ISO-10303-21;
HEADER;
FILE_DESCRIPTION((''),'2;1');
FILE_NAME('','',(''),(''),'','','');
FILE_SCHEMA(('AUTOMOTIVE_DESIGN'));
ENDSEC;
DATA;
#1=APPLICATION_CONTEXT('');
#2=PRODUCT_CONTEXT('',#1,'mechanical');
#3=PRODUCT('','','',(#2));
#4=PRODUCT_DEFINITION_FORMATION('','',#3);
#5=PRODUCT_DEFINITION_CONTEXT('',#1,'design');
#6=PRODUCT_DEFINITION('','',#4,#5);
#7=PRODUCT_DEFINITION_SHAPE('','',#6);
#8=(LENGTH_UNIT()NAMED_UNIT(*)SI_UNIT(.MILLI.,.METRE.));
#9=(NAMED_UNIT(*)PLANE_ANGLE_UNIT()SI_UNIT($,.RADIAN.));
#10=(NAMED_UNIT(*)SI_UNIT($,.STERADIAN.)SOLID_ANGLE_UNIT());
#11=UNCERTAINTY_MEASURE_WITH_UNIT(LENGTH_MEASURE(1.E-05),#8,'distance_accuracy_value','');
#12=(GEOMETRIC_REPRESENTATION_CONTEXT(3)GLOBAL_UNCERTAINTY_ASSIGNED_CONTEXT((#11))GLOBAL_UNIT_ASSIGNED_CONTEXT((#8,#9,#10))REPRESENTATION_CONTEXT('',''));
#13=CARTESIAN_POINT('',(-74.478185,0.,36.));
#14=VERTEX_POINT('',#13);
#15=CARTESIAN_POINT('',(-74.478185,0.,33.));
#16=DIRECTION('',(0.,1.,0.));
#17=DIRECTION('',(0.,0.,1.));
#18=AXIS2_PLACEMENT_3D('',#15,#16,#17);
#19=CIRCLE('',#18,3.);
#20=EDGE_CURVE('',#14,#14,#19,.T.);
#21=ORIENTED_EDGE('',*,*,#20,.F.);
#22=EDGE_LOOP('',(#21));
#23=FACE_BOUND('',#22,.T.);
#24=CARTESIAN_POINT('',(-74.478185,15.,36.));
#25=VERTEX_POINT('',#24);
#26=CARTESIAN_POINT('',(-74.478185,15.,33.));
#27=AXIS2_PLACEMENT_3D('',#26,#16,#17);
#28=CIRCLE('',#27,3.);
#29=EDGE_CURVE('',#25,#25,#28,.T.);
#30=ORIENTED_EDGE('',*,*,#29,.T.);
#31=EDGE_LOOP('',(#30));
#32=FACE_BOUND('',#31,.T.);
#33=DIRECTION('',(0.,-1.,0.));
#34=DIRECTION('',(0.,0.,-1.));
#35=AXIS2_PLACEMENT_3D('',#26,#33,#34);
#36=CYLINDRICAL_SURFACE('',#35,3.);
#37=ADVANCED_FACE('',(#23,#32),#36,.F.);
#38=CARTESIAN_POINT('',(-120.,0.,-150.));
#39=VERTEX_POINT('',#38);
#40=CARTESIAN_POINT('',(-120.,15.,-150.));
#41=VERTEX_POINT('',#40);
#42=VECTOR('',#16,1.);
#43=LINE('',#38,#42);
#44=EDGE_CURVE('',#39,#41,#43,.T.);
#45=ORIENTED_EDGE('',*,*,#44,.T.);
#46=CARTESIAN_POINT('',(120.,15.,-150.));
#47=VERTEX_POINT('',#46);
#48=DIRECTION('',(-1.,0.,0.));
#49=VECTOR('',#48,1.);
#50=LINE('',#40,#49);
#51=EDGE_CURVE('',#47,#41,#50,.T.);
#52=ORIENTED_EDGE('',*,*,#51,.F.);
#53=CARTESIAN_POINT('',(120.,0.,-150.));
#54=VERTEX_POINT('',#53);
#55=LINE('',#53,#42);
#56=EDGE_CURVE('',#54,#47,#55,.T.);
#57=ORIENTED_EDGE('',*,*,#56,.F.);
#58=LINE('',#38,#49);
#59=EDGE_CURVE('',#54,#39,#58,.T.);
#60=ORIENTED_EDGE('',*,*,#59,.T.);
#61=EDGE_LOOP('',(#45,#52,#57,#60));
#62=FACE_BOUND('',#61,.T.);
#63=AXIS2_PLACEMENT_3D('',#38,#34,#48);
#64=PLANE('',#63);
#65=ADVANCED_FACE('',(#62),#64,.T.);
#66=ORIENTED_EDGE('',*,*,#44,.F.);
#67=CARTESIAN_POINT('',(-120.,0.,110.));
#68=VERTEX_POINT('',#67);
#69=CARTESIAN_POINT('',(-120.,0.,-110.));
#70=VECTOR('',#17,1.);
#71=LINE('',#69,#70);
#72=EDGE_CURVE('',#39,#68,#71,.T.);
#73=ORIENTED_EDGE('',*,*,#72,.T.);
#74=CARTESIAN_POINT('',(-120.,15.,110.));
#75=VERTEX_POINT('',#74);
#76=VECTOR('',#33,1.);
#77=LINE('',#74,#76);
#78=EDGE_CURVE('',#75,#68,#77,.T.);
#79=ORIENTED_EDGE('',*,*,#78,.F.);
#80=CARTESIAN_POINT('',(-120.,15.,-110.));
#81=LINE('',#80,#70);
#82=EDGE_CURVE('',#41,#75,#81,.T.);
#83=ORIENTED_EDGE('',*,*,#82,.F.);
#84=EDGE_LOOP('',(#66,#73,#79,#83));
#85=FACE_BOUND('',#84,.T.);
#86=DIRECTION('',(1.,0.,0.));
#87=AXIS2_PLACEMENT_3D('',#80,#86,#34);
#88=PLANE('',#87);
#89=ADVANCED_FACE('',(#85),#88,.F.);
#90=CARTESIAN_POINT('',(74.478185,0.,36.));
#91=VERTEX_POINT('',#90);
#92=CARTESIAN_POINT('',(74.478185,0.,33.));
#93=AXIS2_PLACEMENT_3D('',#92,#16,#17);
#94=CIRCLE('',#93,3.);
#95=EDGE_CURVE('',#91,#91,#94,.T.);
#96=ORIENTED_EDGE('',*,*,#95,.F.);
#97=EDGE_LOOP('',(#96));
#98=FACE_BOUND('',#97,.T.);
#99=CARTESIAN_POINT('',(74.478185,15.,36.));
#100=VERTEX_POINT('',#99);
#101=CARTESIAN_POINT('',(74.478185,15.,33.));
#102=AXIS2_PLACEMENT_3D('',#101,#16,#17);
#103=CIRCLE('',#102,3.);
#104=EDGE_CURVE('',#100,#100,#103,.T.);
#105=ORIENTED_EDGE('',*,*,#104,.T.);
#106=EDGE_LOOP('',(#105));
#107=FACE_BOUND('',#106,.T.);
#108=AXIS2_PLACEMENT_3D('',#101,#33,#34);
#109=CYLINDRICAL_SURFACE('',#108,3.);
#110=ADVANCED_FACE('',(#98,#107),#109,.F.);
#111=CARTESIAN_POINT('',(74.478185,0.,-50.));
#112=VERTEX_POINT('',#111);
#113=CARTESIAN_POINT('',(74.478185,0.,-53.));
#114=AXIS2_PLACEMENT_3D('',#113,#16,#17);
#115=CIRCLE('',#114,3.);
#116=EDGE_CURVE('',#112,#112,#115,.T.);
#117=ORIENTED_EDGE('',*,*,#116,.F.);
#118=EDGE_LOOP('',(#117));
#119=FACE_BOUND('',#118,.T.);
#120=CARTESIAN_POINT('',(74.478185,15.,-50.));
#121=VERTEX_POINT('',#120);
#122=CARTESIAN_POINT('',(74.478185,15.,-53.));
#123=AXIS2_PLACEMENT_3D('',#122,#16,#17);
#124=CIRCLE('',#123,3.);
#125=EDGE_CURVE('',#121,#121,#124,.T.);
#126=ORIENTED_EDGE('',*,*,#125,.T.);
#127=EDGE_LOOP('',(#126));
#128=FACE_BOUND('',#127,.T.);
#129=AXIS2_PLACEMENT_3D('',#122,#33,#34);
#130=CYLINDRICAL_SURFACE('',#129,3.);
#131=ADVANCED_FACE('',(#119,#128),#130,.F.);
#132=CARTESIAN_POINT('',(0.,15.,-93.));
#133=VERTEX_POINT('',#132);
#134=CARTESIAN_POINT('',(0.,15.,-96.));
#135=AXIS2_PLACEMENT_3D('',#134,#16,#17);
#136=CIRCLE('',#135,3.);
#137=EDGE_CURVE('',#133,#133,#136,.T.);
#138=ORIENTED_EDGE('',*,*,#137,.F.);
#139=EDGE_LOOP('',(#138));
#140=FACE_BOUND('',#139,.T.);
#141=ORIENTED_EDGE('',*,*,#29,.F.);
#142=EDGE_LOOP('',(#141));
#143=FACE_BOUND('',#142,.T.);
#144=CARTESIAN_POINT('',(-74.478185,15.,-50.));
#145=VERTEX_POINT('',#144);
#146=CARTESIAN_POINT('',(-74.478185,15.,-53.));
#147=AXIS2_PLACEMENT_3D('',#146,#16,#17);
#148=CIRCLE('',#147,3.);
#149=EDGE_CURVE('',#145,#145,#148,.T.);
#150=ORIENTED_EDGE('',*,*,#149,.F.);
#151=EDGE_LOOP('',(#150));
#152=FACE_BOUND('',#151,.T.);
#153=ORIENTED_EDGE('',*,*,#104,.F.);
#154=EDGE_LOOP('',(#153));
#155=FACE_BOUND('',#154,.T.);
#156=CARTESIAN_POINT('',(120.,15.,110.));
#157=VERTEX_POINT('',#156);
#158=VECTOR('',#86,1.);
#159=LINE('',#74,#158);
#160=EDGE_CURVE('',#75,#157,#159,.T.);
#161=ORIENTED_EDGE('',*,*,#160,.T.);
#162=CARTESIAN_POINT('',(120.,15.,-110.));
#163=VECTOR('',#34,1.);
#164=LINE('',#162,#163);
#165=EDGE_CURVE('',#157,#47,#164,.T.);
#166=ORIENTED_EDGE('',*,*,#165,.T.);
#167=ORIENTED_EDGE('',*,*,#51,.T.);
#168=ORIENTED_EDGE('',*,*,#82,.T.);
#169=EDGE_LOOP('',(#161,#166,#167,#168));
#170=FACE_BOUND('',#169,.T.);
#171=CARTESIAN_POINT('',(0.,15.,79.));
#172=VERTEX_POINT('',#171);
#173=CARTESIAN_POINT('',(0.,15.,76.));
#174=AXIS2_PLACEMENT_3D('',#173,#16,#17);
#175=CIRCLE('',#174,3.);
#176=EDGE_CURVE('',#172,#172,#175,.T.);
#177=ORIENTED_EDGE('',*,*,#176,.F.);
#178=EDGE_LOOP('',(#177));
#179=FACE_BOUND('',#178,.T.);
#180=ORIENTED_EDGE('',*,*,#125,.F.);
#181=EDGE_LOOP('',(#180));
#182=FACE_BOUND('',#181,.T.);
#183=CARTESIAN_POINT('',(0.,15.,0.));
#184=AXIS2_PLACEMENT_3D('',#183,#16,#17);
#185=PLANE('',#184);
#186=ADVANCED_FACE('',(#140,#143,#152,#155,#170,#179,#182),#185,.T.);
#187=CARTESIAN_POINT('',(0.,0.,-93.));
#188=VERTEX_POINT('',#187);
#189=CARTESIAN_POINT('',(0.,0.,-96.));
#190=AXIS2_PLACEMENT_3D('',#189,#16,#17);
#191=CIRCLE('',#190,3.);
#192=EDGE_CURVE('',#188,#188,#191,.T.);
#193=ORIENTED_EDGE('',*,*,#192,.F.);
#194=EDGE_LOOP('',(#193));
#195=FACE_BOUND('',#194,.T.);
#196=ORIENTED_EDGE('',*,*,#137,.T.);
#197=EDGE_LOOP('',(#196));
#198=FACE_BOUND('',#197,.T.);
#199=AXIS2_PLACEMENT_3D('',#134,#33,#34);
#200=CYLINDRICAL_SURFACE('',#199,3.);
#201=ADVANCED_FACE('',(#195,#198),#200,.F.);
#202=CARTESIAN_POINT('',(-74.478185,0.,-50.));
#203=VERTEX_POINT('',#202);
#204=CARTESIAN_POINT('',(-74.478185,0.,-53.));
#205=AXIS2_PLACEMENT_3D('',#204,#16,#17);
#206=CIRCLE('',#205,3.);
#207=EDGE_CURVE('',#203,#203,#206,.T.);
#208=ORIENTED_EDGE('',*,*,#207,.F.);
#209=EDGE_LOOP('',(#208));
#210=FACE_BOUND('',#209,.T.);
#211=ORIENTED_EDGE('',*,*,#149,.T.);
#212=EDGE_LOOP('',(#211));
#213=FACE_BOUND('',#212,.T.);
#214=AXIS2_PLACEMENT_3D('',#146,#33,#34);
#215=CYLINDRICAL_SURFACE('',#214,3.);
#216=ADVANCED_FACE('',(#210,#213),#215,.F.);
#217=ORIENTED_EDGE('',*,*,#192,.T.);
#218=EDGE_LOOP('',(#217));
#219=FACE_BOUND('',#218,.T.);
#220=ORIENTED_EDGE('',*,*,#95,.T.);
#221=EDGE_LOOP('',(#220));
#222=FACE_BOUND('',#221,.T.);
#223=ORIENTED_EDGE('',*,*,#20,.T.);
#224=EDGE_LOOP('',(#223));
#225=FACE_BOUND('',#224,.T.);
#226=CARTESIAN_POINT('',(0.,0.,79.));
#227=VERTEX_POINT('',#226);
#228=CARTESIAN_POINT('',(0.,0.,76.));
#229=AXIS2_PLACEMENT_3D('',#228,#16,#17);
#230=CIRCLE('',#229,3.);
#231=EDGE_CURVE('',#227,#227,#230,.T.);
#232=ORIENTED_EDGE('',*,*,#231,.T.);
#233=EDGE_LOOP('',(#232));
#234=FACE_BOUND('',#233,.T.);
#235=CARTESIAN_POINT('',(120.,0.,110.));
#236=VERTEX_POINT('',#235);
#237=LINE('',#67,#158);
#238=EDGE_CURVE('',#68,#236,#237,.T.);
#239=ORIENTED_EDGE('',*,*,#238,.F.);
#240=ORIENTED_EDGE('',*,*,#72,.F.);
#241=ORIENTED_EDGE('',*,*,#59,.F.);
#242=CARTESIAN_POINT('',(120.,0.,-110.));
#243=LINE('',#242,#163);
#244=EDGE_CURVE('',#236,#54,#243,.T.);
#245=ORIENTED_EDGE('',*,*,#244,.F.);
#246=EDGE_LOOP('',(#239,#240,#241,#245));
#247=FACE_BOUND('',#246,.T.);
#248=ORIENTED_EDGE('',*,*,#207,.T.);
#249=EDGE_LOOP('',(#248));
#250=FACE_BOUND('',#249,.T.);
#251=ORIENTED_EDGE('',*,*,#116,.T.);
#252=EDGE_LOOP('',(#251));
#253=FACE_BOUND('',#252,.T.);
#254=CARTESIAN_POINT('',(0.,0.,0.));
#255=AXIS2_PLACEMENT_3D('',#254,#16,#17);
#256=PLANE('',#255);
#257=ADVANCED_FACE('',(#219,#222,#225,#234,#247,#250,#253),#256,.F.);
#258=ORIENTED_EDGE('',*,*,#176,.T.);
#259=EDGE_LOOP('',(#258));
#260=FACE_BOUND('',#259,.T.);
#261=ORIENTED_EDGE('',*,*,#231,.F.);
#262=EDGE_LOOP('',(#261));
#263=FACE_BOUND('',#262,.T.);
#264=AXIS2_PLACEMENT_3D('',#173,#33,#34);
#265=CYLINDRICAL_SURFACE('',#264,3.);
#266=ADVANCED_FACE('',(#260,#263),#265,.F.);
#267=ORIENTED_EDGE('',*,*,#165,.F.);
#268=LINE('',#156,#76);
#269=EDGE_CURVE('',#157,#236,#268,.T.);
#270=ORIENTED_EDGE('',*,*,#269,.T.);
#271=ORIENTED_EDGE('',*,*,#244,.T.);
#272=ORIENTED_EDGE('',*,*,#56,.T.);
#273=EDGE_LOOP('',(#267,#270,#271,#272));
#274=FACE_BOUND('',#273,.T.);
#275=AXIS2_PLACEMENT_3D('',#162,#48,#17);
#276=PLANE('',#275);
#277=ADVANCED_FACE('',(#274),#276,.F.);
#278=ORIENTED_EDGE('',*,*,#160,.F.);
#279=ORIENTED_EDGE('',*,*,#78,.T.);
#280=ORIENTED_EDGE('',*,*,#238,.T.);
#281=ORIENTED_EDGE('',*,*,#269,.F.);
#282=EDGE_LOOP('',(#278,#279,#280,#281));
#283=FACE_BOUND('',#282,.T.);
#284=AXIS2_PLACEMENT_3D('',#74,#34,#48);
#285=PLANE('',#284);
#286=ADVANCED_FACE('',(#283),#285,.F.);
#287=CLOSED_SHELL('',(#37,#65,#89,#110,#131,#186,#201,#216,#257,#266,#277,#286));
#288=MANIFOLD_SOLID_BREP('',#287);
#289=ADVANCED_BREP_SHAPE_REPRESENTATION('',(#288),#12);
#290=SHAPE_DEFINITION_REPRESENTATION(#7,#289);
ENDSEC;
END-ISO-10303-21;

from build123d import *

# Parameters (mm, degrees)
CROQUIS1_W              = 240
CROQUIS1_H              = 220
CROQUIS1_R              = 3
SALIENTE_EXTRUIR1_DEPTH = 15
CROQUIS2_W              = 240
CROQUIS2_H              = 40
SALIENTE_EXTRUIR2_DEPTH = 15


with BuildPart() as part:
    # Croquis1 → Saliente-Extruir1 (new body)
    with BuildSketch(Plane(origin=(0, 0, 0), x_dir=(1, 0, 0), z_dir=(0, 1, 0))):
        Rectangle(CROQUIS1_W, CROQUIS1_H)
        with Locations(Location((0, 96, 0), (0, 0, 270))):
            Circle(CROQUIS1_R, mode=Mode.SUBTRACT)
        with Locations(Location((0, -76, 0), (0, 0, 270))):
            Circle(CROQUIS1_R, mode=Mode.SUBTRACT)
        with Locations(Location((-74.47818473, 53, 0), (0, 0, 270))):
            Circle(CROQUIS1_R, mode=Mode.SUBTRACT)
        with Locations(Location((-74.47818473, -33, 0), (0, 0, 270))):
            Circle(CROQUIS1_R, mode=Mode.SUBTRACT)
        with Locations(Location((74.47818473, 53, 0), (0, 0, 270))):
            Circle(CROQUIS1_R, mode=Mode.SUBTRACT)
        with Locations(Location((74.47818473, -33, 0), (0, 0, 270))):
            Circle(CROQUIS1_R, mode=Mode.SUBTRACT)
    extrude(amount=SALIENTE_EXTRUIR1_DEPTH)

    # Croquis2 → Saliente-Extruir2 (add)
    with BuildSketch(Plane(origin=(0, 15, 0), x_dir=(1, 0, 0), z_dir=(0, 1, 0))):
        with Locations((0, 130)):
            Rectangle(CROQUIS2_W, CROQUIS2_H)
    extrude(amount=-SALIENTE_EXTRUIR2_DEPTH)


solid = part.part
